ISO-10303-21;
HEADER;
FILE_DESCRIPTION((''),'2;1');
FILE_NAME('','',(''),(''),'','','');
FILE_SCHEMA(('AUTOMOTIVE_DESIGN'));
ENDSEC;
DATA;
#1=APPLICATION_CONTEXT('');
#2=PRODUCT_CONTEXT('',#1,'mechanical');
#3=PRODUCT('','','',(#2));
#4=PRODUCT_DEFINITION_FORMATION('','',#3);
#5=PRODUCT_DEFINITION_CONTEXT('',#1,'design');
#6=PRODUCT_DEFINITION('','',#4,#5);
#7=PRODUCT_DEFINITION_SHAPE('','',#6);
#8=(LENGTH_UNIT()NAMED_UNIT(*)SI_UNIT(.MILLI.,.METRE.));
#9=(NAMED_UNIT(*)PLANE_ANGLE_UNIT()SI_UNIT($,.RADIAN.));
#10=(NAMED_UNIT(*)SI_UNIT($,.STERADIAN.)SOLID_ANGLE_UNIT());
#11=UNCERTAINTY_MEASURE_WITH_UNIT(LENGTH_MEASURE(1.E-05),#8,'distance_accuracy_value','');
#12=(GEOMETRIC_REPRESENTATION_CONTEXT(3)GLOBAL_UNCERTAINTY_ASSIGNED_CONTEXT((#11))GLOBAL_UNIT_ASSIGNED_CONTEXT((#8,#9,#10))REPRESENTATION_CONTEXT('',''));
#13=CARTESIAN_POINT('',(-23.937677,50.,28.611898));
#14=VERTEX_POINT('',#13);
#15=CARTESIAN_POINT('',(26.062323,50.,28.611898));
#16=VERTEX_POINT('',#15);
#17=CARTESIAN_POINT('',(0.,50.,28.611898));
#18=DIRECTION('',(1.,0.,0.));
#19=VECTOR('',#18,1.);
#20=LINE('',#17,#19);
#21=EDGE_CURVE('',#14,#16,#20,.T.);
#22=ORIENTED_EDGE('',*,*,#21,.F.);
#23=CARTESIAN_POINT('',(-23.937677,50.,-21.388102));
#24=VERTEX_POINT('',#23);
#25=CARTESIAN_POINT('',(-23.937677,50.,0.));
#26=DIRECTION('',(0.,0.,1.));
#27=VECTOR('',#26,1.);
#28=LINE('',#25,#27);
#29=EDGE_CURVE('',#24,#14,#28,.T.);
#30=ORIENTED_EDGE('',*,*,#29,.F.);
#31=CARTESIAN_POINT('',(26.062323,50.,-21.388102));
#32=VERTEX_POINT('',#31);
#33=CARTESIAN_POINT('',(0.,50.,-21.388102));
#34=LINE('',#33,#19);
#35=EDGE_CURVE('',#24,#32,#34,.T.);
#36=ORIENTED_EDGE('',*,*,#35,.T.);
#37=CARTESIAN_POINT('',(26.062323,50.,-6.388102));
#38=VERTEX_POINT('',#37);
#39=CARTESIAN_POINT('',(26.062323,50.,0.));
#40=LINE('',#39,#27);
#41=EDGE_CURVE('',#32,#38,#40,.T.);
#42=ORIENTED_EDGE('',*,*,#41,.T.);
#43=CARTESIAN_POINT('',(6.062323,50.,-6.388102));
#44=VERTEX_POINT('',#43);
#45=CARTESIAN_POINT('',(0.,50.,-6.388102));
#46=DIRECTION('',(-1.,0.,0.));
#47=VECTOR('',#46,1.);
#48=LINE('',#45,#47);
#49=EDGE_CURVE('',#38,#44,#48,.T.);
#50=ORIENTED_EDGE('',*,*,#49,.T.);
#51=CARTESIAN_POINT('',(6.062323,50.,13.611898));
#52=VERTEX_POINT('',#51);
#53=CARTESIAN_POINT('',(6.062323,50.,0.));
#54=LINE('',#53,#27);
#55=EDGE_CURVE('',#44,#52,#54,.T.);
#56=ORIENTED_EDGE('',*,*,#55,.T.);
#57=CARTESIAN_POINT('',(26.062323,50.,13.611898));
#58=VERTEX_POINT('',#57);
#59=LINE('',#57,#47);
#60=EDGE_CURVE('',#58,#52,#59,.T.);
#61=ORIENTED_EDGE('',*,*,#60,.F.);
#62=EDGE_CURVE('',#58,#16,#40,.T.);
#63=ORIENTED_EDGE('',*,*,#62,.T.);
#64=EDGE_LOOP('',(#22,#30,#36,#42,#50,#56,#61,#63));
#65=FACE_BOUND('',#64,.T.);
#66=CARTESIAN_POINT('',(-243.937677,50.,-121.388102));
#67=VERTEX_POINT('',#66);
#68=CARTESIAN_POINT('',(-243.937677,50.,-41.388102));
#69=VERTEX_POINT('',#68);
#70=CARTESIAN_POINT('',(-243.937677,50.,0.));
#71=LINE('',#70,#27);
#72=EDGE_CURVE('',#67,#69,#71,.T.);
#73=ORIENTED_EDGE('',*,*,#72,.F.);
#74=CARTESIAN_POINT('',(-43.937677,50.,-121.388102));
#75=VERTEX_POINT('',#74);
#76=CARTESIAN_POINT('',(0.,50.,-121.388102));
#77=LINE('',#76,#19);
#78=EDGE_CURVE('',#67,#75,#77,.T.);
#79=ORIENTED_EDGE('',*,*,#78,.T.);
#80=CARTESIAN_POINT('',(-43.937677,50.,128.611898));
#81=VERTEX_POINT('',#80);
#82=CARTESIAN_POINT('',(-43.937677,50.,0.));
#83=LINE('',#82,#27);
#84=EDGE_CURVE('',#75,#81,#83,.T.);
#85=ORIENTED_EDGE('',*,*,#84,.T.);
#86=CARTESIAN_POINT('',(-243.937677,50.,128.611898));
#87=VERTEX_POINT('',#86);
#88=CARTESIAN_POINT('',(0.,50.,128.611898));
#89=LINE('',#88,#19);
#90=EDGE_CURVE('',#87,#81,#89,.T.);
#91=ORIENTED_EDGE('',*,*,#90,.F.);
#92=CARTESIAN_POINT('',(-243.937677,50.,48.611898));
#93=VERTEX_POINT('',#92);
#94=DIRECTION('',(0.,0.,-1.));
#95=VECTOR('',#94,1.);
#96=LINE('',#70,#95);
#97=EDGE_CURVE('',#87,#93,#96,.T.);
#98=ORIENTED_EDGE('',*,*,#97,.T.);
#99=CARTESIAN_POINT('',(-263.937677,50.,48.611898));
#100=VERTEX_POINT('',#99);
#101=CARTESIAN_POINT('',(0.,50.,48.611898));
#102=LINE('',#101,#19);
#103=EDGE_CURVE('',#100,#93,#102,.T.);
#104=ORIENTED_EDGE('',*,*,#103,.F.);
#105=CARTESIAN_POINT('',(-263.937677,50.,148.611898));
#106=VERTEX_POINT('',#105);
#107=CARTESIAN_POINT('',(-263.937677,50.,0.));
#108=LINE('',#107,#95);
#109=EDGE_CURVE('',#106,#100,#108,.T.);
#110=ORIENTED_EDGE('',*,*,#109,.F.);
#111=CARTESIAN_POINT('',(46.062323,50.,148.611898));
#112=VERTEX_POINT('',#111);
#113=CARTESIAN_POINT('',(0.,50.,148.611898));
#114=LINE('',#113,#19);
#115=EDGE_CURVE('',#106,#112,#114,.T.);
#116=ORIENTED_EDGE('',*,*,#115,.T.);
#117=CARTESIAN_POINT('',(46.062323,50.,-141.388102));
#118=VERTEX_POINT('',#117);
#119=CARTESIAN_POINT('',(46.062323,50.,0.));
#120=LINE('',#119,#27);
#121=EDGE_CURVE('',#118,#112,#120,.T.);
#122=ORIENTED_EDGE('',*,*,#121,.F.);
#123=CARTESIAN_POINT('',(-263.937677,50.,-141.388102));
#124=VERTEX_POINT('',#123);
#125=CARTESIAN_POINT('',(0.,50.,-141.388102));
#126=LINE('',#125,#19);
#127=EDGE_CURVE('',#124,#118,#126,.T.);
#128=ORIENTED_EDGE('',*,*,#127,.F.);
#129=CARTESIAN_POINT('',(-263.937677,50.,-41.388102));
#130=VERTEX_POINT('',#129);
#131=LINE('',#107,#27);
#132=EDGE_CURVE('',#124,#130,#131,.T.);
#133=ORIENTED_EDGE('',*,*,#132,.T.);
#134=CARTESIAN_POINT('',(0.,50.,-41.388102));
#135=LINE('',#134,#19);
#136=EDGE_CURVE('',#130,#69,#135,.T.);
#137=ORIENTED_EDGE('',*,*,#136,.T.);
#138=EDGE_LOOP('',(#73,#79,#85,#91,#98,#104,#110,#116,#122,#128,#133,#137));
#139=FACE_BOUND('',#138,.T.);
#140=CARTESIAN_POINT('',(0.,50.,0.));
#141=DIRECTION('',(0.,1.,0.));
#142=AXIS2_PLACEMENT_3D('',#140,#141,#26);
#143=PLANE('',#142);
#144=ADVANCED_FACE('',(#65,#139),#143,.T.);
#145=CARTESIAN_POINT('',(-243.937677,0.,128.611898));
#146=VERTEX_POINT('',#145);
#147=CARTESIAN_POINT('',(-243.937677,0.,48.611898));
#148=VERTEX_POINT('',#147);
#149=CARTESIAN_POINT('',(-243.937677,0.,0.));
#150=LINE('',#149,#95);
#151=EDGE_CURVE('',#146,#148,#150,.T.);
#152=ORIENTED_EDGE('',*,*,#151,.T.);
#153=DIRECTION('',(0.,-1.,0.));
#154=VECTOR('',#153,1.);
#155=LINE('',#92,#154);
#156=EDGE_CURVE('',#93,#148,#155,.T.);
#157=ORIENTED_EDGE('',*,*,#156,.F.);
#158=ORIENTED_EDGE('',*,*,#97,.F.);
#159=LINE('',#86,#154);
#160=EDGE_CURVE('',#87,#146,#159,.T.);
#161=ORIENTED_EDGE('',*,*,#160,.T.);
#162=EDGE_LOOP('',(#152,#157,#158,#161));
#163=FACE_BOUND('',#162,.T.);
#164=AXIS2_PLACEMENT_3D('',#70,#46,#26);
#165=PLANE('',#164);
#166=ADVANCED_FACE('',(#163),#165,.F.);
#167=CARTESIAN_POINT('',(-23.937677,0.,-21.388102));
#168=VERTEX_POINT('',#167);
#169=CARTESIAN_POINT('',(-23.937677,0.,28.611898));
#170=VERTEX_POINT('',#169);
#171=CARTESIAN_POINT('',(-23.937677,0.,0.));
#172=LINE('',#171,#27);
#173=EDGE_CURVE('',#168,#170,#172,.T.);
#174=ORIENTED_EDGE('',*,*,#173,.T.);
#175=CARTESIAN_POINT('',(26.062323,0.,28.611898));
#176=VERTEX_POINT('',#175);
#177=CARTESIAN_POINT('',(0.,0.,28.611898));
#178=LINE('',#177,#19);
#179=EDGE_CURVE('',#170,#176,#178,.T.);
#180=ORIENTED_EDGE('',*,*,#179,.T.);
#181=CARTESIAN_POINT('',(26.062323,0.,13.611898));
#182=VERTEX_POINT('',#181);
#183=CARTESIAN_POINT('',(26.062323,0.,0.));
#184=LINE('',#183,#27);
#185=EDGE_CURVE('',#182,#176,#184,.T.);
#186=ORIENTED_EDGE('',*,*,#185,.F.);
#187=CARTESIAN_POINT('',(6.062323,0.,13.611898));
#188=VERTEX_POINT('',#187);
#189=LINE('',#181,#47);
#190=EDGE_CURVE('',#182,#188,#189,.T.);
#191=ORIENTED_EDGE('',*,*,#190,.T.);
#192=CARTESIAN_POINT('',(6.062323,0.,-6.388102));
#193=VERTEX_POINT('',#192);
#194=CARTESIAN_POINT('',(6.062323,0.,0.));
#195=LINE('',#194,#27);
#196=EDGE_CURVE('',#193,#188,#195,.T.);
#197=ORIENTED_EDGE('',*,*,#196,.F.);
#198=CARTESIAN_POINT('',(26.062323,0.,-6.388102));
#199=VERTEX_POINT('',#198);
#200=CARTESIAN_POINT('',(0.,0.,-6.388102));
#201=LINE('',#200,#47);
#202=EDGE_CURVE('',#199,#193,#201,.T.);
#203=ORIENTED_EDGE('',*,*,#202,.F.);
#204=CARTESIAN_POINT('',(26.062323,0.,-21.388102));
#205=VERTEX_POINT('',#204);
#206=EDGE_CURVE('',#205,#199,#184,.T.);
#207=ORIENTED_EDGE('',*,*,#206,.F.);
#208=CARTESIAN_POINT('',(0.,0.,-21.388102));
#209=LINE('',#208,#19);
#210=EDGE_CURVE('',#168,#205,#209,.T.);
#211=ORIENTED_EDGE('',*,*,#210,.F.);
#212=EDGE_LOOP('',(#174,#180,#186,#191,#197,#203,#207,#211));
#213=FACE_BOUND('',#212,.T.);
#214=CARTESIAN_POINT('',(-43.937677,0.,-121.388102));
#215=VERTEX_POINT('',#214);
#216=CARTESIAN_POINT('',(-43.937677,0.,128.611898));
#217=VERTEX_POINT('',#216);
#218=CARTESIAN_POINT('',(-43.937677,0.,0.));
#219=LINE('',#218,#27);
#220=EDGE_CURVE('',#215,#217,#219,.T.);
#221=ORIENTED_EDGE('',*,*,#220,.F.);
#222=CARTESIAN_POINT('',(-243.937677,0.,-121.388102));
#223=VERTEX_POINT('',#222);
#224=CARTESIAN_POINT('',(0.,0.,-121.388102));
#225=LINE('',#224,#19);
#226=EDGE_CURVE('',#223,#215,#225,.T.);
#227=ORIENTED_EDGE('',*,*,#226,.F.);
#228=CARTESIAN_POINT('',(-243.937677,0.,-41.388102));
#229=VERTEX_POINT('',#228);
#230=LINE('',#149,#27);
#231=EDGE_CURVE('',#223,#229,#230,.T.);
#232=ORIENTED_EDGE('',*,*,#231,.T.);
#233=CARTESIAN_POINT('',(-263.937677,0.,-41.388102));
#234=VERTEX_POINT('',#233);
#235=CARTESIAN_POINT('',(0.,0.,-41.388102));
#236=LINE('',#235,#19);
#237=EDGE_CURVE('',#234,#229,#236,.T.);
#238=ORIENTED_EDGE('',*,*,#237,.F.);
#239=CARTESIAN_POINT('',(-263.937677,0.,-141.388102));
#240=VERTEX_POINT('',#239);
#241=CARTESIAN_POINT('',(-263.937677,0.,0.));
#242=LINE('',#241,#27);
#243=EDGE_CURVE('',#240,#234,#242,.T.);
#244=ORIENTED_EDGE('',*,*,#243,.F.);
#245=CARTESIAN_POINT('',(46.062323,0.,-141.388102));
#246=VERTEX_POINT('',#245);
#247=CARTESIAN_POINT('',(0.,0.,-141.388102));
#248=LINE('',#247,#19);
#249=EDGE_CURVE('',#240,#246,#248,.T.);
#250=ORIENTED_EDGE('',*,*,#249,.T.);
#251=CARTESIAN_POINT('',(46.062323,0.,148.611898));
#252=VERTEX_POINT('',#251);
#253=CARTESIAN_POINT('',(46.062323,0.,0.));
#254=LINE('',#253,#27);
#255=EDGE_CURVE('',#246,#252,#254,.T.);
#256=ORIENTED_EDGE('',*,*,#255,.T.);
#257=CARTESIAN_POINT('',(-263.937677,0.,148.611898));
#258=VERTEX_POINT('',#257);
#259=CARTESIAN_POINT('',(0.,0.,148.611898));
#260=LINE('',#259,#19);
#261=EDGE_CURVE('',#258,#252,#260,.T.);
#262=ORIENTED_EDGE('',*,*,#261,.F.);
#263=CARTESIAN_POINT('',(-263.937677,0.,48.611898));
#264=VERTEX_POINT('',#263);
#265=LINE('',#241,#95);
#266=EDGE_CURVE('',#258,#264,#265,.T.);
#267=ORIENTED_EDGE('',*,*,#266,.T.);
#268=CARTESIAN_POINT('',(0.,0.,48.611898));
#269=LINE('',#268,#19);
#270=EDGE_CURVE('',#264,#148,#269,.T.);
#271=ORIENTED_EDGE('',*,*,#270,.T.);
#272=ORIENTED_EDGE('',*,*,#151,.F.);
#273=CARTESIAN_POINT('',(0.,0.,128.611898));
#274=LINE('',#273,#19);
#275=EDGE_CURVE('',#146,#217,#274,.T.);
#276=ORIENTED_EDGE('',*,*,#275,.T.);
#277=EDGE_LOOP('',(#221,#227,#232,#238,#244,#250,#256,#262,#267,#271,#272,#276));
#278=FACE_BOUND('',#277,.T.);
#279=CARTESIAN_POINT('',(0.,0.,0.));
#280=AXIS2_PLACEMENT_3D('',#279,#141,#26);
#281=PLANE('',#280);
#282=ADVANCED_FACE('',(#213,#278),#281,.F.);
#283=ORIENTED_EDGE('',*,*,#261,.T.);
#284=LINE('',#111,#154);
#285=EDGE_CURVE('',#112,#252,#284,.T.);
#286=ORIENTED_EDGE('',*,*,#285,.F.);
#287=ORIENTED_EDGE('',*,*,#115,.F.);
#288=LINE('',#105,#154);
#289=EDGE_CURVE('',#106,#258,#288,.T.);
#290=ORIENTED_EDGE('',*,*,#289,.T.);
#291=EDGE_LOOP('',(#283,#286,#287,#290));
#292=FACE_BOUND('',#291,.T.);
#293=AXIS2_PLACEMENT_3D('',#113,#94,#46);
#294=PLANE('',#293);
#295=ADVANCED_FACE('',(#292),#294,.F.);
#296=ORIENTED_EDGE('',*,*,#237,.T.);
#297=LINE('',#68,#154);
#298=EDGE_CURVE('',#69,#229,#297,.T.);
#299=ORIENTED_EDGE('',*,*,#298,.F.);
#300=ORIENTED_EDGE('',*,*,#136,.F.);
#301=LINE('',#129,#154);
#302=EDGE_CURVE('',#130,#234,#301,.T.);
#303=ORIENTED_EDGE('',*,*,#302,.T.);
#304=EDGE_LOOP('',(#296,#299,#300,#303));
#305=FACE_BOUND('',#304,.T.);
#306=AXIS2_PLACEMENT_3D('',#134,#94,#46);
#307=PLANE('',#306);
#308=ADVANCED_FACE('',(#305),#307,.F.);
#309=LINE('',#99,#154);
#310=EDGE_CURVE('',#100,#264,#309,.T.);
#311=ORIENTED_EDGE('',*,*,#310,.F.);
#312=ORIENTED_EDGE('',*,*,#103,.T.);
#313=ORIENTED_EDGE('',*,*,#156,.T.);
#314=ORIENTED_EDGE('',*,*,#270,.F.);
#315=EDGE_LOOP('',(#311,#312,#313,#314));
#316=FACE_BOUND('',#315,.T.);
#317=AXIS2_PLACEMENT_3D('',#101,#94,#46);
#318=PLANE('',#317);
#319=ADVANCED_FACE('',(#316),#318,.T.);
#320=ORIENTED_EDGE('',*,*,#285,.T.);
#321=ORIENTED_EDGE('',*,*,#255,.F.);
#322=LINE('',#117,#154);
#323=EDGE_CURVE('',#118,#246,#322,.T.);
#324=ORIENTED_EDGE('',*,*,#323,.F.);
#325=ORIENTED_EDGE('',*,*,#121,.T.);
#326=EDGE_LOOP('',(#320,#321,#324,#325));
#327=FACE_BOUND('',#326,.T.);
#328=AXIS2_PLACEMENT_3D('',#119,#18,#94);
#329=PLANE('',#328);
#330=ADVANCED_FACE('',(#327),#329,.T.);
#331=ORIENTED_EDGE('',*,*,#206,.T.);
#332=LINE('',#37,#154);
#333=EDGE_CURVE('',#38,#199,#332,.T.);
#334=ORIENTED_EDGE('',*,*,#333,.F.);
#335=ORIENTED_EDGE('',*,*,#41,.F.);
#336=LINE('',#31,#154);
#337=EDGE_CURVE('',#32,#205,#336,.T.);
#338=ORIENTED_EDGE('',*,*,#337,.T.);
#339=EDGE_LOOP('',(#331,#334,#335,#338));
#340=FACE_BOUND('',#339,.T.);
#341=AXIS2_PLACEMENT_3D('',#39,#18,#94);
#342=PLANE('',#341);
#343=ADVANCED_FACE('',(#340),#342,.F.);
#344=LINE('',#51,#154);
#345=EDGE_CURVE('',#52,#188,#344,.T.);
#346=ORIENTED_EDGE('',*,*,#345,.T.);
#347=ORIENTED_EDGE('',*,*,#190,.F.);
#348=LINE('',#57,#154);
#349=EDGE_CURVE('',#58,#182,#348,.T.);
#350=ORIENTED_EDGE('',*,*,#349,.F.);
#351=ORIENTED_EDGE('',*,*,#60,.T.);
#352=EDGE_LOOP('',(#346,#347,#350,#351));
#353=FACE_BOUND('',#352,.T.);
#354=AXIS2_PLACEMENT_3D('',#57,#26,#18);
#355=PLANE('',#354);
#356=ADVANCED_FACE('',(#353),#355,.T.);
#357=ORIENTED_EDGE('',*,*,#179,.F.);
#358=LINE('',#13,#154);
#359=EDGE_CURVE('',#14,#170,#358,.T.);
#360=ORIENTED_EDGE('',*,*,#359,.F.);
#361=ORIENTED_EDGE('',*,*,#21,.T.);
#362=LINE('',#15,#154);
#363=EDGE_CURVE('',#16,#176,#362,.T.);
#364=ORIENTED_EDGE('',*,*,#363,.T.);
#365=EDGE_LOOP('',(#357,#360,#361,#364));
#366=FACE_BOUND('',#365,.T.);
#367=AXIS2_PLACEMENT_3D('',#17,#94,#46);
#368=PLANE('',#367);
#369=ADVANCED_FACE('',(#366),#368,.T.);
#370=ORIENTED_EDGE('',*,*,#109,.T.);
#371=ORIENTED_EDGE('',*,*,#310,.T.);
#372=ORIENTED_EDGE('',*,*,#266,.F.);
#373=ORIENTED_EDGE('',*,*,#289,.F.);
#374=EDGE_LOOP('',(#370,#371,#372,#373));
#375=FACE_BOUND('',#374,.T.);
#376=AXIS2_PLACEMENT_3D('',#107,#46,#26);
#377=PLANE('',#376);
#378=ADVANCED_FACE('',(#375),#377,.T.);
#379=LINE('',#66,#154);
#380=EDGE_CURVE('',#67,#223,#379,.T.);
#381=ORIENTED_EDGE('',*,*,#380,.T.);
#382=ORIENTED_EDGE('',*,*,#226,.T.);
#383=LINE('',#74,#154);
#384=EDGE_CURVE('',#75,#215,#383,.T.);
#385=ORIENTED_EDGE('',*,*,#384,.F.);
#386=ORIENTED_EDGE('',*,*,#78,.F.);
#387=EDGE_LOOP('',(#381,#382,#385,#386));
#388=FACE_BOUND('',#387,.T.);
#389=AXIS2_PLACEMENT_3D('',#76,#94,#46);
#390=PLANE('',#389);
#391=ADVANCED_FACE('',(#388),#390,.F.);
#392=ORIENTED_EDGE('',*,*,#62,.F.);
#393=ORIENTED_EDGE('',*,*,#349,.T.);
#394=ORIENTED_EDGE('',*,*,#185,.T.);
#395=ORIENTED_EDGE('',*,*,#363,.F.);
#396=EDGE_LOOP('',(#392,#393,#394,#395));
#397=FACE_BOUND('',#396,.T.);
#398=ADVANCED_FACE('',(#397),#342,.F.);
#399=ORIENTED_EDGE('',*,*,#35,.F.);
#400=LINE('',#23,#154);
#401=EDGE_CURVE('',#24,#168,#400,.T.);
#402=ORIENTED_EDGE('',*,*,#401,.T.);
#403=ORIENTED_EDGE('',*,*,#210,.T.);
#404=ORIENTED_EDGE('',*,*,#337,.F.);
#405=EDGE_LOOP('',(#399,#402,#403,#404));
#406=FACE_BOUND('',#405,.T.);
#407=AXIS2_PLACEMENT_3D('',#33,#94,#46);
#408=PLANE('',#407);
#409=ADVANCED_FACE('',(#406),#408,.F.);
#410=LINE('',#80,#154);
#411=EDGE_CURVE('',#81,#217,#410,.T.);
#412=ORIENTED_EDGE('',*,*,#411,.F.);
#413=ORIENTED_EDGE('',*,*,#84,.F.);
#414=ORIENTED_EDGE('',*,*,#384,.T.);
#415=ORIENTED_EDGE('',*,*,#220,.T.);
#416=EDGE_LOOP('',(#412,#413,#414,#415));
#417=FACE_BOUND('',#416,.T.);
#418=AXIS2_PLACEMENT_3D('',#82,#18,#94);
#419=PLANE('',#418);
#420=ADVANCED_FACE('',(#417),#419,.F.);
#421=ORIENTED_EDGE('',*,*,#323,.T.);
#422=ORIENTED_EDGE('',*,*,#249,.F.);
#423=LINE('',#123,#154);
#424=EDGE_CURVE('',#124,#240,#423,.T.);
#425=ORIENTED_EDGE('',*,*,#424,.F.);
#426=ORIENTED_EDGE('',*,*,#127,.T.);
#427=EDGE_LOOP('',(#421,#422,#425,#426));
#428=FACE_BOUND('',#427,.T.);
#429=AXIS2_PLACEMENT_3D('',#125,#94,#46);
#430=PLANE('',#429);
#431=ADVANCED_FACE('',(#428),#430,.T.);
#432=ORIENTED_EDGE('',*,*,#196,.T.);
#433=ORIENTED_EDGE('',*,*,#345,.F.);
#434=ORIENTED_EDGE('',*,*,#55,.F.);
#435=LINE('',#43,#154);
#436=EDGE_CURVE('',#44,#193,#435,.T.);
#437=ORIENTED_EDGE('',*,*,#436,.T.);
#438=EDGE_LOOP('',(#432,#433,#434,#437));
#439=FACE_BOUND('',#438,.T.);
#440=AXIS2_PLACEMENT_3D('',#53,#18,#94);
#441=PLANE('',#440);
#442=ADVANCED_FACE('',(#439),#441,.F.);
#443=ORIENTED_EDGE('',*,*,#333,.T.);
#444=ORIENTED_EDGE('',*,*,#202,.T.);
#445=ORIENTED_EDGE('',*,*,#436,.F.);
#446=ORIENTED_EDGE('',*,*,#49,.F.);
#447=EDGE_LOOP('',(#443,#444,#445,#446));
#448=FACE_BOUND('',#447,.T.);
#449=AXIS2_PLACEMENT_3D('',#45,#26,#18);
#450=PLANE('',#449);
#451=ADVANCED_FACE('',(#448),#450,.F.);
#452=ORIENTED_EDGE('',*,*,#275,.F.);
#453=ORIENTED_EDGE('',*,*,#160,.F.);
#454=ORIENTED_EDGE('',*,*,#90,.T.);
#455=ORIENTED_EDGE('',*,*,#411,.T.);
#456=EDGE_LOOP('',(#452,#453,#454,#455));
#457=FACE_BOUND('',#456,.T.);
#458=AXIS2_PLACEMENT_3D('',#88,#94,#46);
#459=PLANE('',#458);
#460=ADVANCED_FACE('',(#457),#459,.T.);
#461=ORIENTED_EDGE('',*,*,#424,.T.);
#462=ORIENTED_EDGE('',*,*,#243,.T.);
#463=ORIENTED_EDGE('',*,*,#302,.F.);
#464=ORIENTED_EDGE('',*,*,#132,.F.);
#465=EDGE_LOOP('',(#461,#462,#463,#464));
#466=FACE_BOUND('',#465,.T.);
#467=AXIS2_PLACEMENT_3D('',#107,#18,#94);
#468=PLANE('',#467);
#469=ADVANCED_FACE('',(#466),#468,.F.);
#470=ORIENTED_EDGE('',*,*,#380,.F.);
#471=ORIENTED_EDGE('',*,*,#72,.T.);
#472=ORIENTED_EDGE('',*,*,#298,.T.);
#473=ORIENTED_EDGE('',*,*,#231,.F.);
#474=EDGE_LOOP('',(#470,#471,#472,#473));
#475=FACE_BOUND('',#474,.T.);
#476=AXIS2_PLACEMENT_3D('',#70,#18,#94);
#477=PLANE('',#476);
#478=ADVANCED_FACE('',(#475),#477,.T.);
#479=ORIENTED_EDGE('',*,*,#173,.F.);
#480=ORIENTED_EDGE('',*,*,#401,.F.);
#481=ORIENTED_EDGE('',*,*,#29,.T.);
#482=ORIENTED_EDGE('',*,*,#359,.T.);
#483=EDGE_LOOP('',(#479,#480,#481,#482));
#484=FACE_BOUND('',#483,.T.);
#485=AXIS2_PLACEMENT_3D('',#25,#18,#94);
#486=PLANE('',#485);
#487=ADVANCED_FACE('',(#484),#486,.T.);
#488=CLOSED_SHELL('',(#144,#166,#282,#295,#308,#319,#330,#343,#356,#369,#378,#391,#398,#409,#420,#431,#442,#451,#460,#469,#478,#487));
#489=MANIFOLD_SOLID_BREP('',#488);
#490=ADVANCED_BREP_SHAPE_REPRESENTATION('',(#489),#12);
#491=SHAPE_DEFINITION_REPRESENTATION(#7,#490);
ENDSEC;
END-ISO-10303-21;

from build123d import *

# Parameters (mm, degrees)
BOSS_EXTRUDE2_DEPTH = 50


with BuildPart() as part:
    # Sketch1 → Boss-Extrude2 (new body)
    with BuildSketch(Plane(origin=(0, 0, 0), x_dir=(1, 0, 0), z_dir=(0, 1, 0))):
        Polygon((46.062322946, 141.388101983), (-263.937677054, 141.388101983), (-263.937677054, 41.388101983), (-243.937677054, 41.388101983), (-243.937677054, 121.388101983), (-43.937677054, 121.388101983), (-43.937677054, -128.611898017), (-243.937677054, -128.611898017), (-243.937677054, -48.611898017), (-263.937677054, -48.611898017), (-263.937677054, -148.611898017), (46.062322946, -148.611898017), align=None)
        Polygon((26.062322946, -28.611898017), (-23.937677054, -28.611898017), (-23.937677054, 21.388101983), (26.062322946, 21.388101983), (26.062322946, 6.388101983), (6.062322946, 6.388101983), (6.062322946, -13.611898017), (26.062322946, -13.611898017), align=None, mode=Mode.SUBTRACT)
    extrude(amount=BOSS_EXTRUDE2_DEPTH)


solid = part.part
